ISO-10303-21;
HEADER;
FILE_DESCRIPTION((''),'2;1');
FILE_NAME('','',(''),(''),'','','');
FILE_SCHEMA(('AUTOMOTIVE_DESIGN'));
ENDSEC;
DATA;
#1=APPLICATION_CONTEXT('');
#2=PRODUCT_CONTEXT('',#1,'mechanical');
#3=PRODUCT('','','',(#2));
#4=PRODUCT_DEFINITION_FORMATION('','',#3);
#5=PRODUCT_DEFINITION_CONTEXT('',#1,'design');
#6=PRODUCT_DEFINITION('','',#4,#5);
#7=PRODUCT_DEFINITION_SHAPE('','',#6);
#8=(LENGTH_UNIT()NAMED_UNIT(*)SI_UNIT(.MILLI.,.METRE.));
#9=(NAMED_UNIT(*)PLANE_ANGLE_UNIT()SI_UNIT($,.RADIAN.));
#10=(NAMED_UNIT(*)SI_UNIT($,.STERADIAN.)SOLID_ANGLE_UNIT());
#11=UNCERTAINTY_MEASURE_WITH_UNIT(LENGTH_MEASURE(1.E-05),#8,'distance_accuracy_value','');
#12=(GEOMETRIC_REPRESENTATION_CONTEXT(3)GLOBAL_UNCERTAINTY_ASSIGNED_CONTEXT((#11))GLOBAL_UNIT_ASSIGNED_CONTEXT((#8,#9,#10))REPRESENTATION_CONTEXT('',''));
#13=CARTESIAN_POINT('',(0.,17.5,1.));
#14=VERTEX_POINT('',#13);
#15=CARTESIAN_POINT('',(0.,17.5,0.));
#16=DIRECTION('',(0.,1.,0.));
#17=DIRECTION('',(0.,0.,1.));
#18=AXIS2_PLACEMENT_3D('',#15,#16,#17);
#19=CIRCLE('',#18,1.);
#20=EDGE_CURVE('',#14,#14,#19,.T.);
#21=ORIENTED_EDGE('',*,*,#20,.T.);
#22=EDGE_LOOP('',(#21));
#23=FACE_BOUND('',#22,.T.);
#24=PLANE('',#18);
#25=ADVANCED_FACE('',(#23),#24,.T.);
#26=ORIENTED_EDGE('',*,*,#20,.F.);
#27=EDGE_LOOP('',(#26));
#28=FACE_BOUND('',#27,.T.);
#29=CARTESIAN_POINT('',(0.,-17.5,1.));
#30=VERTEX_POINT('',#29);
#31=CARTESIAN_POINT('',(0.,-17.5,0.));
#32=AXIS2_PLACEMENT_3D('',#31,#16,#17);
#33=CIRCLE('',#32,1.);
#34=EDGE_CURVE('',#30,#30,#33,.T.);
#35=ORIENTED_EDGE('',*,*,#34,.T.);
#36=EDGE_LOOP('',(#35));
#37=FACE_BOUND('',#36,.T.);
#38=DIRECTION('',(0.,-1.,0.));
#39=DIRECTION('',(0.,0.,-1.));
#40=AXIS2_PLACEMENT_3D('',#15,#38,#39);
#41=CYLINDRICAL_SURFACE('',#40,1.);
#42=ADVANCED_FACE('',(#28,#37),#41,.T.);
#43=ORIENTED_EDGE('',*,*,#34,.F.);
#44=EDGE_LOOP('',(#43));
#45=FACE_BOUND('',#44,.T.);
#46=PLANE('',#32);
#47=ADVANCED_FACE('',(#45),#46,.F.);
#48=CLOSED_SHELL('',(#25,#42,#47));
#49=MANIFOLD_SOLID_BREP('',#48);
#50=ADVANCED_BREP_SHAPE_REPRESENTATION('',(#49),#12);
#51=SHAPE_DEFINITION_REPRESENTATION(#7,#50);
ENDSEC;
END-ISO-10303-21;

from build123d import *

# Parameters (mm, degrees)
SKETCH1_R           = 1
BOSS_EXTRUDE1_DEPTH = 17.5


with BuildPart() as part:
    # Sketch1 → Boss-Extrude1 (new body, symmetric)
    with BuildSketch(Plane(origin=(0, 0, 0), x_dir=(1, 0, 0), z_dir=(0, 1, 0))):
        Circle(SKETCH1_R)
    extrude(amount=BOSS_EXTRUDE1_DEPTH, both=True)


solid = part.part
